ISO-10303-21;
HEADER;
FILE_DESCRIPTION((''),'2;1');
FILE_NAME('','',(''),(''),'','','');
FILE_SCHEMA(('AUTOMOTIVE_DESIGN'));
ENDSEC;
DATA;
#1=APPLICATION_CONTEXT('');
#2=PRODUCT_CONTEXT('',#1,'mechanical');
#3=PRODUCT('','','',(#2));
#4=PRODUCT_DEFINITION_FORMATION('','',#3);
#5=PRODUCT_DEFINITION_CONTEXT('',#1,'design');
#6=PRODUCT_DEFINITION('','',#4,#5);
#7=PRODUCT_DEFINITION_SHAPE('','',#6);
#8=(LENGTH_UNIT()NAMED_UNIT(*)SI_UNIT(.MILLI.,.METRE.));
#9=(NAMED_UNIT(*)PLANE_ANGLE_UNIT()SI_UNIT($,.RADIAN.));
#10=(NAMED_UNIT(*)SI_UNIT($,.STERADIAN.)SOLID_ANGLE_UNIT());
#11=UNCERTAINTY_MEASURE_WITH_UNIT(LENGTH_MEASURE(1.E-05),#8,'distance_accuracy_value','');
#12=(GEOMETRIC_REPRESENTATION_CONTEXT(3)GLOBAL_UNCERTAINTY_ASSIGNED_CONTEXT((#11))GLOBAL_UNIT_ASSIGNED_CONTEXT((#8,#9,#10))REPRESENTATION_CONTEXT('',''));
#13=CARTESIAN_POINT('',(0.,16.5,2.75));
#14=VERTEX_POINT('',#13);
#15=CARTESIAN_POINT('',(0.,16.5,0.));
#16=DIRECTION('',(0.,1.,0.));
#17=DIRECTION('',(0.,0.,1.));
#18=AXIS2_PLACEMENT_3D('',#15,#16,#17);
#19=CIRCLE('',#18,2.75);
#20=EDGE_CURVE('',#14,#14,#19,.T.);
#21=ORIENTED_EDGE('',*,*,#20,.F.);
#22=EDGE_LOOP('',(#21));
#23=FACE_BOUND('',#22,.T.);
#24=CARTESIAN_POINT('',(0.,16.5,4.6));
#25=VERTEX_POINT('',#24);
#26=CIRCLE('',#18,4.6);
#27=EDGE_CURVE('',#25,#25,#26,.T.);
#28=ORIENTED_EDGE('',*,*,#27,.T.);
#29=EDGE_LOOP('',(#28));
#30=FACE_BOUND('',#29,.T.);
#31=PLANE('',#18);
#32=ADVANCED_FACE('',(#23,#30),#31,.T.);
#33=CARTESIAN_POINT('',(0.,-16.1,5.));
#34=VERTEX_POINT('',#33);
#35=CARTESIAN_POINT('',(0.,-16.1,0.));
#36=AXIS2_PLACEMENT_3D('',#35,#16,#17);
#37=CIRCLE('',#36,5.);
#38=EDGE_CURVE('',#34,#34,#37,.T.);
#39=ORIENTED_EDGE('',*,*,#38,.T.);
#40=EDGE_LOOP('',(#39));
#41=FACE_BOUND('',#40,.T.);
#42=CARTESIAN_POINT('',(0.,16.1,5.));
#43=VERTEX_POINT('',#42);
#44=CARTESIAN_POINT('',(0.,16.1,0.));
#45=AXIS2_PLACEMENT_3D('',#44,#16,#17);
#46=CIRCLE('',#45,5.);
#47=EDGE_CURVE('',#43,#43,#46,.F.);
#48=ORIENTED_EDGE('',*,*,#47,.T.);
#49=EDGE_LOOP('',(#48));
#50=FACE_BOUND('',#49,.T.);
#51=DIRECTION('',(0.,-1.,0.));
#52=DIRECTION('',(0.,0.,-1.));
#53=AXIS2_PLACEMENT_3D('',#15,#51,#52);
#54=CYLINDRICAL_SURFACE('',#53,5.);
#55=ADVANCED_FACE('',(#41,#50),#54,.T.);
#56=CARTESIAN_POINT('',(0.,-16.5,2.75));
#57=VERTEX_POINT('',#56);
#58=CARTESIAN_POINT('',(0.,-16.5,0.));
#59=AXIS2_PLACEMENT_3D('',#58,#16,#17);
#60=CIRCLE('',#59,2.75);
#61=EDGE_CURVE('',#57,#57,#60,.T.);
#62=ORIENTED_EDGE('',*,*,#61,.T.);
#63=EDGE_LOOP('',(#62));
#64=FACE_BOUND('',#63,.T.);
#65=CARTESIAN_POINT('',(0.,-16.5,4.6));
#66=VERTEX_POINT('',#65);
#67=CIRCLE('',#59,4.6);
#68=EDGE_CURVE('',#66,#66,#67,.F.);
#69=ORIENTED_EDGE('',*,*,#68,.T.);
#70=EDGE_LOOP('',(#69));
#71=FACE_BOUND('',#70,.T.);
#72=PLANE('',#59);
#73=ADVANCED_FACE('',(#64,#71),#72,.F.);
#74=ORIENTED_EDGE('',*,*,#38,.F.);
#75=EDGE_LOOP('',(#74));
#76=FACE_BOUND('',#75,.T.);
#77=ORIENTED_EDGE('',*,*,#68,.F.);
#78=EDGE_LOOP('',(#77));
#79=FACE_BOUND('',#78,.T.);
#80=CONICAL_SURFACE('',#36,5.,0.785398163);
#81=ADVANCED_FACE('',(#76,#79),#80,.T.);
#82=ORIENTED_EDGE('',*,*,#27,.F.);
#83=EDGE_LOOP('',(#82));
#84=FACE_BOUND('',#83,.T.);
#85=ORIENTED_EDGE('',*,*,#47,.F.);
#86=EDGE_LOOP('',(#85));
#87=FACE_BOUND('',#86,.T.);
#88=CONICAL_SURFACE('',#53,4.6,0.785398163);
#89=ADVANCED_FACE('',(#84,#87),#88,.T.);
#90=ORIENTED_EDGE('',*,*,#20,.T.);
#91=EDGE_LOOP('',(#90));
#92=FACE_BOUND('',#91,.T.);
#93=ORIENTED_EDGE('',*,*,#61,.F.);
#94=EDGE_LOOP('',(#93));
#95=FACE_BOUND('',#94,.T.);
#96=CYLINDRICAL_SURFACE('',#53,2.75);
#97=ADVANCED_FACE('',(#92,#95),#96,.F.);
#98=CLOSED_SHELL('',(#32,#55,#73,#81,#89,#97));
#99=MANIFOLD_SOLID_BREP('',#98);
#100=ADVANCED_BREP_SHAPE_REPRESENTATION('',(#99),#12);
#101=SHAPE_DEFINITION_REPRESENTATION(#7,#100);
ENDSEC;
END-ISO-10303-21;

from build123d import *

# Parameters (mm, degrees)
SKETCH1_R           = 5
SKETCH1_R_2         = 2.75
BOSS_EXTRUDE1_DEPTH = 16.5
CHAMFER1_SIZE       = 0.4


with BuildPart() as part:
    # Sketch1 → Boss-Extrude1 (new body, symmetric)
    with BuildSketch(Plane(origin=(0, 0, 0), x_dir=(1, 0, 0), z_dir=(0, 1, 0))):
        Circle(SKETCH1_R)
        Circle(SKETCH1_R_2, mode=Mode.SUBTRACT)
    extrude(amount=BOSS_EXTRUDE1_DEPTH, both=True)

    # Chamfer1
    chamfer1_edges = [part.edges().sort_by_distance(p)[0] for p in [
        (-5, -16.5, 0),
        (-5, 16.5, 0),
    ]]
    chamfer(chamfer1_edges, length=CHAMFER1_SIZE)


solid = part.part
